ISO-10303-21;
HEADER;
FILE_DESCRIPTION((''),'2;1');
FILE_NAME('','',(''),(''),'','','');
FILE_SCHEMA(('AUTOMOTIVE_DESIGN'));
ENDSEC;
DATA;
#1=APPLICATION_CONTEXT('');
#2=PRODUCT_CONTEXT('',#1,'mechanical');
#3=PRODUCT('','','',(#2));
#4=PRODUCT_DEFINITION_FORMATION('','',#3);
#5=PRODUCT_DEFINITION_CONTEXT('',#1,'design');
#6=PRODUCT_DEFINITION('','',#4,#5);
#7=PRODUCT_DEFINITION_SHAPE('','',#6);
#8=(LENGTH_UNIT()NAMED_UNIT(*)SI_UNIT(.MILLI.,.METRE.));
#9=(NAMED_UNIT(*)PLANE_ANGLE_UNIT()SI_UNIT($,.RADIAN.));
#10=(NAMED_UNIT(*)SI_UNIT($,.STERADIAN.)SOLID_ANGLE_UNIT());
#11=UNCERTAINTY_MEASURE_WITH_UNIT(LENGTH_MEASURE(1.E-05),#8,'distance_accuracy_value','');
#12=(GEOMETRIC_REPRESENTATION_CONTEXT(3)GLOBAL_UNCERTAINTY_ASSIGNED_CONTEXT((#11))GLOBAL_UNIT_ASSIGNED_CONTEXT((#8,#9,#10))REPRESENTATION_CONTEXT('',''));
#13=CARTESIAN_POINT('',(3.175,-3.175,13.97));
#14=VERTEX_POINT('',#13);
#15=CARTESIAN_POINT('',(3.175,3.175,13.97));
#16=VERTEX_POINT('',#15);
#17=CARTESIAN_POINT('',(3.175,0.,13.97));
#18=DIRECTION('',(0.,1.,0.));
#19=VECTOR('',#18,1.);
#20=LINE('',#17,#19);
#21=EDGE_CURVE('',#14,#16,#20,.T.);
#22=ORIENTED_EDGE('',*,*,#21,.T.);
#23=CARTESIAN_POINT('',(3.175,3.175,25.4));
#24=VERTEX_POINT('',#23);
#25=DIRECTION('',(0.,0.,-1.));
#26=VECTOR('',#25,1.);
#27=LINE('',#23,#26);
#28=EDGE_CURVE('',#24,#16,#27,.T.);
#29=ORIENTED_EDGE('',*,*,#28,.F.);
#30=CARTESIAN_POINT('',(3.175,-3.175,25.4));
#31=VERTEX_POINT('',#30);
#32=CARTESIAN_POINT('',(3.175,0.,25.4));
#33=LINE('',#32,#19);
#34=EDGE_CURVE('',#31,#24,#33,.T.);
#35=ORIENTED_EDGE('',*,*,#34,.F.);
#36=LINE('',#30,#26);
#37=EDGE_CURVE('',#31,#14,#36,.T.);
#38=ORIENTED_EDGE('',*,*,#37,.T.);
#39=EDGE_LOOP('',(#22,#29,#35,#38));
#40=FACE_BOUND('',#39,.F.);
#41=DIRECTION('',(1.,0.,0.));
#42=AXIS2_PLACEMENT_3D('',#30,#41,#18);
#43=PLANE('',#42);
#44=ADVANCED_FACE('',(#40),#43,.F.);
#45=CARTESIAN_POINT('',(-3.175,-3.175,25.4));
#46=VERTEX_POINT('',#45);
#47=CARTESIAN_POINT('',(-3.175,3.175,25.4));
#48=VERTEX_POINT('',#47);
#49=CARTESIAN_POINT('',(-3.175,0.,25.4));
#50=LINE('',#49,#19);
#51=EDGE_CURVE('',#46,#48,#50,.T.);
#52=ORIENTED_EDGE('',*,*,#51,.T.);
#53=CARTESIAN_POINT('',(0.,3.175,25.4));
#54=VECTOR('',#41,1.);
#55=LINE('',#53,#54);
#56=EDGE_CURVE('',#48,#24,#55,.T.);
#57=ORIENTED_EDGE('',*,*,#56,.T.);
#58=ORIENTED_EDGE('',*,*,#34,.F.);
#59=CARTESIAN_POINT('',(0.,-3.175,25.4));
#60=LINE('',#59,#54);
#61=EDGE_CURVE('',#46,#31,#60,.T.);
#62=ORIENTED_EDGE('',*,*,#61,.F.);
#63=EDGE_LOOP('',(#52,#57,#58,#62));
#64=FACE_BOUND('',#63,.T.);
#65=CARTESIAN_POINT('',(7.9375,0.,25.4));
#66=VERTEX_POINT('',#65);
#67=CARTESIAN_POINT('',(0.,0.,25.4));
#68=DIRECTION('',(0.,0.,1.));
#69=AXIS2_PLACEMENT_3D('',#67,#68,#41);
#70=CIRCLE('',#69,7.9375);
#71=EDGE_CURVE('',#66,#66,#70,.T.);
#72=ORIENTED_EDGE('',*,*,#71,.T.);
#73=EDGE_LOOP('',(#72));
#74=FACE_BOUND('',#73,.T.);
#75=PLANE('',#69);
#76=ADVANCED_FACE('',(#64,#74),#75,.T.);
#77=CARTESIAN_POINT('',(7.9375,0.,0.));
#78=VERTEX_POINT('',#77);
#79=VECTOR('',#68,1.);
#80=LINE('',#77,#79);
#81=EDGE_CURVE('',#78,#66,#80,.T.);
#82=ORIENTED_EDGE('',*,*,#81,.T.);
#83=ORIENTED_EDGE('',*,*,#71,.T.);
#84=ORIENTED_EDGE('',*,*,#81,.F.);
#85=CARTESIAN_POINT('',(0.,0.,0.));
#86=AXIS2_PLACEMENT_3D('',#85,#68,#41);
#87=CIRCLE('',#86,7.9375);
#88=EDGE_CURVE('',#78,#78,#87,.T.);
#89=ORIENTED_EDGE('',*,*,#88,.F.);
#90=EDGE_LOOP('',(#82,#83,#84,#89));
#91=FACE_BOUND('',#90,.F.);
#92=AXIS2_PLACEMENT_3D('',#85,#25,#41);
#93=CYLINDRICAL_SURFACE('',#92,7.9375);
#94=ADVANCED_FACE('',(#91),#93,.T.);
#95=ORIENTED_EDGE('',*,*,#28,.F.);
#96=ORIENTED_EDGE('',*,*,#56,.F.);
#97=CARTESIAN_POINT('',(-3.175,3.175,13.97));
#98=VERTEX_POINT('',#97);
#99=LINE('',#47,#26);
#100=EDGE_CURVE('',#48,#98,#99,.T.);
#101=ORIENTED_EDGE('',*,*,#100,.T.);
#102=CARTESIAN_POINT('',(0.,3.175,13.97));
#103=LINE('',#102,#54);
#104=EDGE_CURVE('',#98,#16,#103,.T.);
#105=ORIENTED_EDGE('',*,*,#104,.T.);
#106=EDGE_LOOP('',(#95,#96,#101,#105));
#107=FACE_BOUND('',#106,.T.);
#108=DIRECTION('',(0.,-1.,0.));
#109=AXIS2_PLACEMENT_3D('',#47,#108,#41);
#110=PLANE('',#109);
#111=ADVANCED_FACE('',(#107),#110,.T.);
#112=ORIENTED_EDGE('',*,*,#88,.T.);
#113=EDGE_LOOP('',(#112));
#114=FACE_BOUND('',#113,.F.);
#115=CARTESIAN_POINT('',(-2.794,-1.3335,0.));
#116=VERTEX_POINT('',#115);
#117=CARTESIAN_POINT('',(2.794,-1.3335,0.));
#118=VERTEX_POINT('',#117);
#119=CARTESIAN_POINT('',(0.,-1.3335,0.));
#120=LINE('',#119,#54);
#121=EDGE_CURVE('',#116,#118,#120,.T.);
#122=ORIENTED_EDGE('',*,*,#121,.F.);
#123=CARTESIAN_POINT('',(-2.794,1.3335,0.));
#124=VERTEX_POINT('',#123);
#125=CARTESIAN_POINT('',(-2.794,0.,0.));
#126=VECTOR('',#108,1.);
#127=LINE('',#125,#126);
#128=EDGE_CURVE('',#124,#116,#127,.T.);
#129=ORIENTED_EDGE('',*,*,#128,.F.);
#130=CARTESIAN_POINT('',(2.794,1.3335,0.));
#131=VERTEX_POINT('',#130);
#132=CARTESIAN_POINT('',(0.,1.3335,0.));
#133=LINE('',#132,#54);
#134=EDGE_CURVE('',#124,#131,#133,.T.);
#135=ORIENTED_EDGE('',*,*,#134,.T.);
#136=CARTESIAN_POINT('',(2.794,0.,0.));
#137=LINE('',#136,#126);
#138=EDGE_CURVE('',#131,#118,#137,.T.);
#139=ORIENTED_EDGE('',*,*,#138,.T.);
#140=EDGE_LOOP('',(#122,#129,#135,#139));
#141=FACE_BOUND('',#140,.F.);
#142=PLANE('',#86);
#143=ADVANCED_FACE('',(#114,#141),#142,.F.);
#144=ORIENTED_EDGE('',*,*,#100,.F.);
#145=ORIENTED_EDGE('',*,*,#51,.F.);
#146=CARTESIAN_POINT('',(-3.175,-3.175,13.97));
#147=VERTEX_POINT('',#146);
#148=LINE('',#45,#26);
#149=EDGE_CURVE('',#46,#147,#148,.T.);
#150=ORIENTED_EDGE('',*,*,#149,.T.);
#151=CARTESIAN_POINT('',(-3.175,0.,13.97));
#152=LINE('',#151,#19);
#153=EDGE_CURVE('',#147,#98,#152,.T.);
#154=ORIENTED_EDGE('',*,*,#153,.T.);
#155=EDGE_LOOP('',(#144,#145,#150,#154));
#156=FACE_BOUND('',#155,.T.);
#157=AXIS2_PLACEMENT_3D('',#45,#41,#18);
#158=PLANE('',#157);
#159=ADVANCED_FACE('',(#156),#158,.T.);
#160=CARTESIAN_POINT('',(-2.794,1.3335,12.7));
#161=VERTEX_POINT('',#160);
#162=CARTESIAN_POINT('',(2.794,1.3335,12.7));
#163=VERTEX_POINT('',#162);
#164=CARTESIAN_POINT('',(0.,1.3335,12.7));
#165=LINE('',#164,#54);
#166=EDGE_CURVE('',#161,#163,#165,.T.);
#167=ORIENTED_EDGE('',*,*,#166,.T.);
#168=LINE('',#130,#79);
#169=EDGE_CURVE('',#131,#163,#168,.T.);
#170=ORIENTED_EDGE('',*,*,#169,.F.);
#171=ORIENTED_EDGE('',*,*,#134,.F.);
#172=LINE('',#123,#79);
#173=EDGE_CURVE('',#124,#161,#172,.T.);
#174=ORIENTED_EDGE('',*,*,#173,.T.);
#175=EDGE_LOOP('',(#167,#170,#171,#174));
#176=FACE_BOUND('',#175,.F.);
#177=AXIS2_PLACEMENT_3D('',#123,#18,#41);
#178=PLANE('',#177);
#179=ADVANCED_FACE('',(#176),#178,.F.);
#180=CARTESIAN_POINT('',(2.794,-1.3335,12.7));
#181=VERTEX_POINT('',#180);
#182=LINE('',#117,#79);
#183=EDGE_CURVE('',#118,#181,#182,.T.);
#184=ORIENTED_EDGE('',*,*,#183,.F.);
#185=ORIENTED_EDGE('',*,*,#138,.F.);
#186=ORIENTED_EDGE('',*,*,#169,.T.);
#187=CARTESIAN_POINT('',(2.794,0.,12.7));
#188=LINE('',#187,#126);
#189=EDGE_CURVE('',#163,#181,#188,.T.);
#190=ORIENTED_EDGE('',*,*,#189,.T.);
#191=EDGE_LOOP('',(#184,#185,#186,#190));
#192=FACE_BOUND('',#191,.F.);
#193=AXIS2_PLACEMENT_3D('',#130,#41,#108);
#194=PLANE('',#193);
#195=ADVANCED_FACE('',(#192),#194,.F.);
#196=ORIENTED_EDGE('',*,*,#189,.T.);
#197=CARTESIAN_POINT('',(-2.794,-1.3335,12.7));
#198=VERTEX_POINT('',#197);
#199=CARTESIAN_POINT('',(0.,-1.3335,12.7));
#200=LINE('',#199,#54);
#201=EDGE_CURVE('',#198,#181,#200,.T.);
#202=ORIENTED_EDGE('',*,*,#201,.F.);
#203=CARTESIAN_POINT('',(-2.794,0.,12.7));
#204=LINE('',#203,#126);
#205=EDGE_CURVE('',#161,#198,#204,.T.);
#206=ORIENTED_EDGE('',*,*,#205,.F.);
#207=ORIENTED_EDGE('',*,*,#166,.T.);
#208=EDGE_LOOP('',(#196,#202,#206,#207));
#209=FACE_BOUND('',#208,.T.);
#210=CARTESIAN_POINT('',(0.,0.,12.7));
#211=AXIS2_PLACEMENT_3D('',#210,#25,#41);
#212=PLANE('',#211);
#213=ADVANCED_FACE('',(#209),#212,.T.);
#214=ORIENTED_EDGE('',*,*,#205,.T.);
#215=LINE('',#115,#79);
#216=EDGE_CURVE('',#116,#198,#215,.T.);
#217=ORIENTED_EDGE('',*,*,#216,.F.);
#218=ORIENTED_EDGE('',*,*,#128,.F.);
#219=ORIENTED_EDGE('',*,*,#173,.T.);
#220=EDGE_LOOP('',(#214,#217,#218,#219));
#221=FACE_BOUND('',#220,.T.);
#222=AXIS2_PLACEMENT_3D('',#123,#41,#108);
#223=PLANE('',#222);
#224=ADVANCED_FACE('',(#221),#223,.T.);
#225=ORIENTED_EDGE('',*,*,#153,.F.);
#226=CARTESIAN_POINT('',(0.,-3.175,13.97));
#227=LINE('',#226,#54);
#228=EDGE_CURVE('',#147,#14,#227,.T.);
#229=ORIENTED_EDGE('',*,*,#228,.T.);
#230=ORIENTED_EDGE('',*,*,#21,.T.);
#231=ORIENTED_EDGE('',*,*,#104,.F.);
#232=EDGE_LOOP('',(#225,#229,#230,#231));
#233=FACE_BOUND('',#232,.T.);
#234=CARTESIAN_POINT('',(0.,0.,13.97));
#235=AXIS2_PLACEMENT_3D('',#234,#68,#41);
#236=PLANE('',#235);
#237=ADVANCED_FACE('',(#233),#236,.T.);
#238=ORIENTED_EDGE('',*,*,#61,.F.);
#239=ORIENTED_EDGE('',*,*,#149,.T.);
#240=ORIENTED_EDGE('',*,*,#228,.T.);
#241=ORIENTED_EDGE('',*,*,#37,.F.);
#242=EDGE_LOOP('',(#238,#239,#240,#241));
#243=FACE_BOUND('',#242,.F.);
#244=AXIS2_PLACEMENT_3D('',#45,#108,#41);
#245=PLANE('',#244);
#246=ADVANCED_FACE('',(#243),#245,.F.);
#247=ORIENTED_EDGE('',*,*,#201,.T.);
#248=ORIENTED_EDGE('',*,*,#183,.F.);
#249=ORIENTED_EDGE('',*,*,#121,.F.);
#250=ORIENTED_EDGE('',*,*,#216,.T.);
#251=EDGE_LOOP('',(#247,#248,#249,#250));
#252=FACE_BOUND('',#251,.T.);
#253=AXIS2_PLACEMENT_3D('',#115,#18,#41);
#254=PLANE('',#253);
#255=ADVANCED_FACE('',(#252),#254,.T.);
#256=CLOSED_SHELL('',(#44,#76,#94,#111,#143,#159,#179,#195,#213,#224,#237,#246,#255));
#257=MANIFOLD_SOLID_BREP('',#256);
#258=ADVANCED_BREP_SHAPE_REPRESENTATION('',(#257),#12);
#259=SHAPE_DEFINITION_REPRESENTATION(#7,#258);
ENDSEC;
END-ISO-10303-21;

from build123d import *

# Parameters (mm, degrees)
F0_R     = 7.9375
F1_DEPTH = 25.4
F2_W     = 6.35
F2_H     = 6.35
F3_DEPTH = 11.43
F4_W     = 5.588
F4_H     = 2.667
F5_DEPTH = 12.7


with BuildPart() as f1:
    # F0 (on Top) → F1 (new body)
    with BuildSketch(Plane.XY):
        Circle(F0_R)
    extrude(amount=F1_DEPTH)

    # F2 (on face) → F3 (cut)
    with BuildSketch(Plane.XY.offset(25.4)):
        Rectangle(F2_W, F2_H)
    extrude(amount=-F3_DEPTH, mode=Mode.SUBTRACT)

    # F4 (on face) → F5 (cut)
    with BuildSketch(Plane(origin=(0, 0, 0), x_dir=(1, 0, 0), z_dir=(0, 0, -1))):
        Rectangle(F4_W, F4_H)
    extrude(amount=-F5_DEPTH, mode=Mode.SUBTRACT)


solid = f1.part
